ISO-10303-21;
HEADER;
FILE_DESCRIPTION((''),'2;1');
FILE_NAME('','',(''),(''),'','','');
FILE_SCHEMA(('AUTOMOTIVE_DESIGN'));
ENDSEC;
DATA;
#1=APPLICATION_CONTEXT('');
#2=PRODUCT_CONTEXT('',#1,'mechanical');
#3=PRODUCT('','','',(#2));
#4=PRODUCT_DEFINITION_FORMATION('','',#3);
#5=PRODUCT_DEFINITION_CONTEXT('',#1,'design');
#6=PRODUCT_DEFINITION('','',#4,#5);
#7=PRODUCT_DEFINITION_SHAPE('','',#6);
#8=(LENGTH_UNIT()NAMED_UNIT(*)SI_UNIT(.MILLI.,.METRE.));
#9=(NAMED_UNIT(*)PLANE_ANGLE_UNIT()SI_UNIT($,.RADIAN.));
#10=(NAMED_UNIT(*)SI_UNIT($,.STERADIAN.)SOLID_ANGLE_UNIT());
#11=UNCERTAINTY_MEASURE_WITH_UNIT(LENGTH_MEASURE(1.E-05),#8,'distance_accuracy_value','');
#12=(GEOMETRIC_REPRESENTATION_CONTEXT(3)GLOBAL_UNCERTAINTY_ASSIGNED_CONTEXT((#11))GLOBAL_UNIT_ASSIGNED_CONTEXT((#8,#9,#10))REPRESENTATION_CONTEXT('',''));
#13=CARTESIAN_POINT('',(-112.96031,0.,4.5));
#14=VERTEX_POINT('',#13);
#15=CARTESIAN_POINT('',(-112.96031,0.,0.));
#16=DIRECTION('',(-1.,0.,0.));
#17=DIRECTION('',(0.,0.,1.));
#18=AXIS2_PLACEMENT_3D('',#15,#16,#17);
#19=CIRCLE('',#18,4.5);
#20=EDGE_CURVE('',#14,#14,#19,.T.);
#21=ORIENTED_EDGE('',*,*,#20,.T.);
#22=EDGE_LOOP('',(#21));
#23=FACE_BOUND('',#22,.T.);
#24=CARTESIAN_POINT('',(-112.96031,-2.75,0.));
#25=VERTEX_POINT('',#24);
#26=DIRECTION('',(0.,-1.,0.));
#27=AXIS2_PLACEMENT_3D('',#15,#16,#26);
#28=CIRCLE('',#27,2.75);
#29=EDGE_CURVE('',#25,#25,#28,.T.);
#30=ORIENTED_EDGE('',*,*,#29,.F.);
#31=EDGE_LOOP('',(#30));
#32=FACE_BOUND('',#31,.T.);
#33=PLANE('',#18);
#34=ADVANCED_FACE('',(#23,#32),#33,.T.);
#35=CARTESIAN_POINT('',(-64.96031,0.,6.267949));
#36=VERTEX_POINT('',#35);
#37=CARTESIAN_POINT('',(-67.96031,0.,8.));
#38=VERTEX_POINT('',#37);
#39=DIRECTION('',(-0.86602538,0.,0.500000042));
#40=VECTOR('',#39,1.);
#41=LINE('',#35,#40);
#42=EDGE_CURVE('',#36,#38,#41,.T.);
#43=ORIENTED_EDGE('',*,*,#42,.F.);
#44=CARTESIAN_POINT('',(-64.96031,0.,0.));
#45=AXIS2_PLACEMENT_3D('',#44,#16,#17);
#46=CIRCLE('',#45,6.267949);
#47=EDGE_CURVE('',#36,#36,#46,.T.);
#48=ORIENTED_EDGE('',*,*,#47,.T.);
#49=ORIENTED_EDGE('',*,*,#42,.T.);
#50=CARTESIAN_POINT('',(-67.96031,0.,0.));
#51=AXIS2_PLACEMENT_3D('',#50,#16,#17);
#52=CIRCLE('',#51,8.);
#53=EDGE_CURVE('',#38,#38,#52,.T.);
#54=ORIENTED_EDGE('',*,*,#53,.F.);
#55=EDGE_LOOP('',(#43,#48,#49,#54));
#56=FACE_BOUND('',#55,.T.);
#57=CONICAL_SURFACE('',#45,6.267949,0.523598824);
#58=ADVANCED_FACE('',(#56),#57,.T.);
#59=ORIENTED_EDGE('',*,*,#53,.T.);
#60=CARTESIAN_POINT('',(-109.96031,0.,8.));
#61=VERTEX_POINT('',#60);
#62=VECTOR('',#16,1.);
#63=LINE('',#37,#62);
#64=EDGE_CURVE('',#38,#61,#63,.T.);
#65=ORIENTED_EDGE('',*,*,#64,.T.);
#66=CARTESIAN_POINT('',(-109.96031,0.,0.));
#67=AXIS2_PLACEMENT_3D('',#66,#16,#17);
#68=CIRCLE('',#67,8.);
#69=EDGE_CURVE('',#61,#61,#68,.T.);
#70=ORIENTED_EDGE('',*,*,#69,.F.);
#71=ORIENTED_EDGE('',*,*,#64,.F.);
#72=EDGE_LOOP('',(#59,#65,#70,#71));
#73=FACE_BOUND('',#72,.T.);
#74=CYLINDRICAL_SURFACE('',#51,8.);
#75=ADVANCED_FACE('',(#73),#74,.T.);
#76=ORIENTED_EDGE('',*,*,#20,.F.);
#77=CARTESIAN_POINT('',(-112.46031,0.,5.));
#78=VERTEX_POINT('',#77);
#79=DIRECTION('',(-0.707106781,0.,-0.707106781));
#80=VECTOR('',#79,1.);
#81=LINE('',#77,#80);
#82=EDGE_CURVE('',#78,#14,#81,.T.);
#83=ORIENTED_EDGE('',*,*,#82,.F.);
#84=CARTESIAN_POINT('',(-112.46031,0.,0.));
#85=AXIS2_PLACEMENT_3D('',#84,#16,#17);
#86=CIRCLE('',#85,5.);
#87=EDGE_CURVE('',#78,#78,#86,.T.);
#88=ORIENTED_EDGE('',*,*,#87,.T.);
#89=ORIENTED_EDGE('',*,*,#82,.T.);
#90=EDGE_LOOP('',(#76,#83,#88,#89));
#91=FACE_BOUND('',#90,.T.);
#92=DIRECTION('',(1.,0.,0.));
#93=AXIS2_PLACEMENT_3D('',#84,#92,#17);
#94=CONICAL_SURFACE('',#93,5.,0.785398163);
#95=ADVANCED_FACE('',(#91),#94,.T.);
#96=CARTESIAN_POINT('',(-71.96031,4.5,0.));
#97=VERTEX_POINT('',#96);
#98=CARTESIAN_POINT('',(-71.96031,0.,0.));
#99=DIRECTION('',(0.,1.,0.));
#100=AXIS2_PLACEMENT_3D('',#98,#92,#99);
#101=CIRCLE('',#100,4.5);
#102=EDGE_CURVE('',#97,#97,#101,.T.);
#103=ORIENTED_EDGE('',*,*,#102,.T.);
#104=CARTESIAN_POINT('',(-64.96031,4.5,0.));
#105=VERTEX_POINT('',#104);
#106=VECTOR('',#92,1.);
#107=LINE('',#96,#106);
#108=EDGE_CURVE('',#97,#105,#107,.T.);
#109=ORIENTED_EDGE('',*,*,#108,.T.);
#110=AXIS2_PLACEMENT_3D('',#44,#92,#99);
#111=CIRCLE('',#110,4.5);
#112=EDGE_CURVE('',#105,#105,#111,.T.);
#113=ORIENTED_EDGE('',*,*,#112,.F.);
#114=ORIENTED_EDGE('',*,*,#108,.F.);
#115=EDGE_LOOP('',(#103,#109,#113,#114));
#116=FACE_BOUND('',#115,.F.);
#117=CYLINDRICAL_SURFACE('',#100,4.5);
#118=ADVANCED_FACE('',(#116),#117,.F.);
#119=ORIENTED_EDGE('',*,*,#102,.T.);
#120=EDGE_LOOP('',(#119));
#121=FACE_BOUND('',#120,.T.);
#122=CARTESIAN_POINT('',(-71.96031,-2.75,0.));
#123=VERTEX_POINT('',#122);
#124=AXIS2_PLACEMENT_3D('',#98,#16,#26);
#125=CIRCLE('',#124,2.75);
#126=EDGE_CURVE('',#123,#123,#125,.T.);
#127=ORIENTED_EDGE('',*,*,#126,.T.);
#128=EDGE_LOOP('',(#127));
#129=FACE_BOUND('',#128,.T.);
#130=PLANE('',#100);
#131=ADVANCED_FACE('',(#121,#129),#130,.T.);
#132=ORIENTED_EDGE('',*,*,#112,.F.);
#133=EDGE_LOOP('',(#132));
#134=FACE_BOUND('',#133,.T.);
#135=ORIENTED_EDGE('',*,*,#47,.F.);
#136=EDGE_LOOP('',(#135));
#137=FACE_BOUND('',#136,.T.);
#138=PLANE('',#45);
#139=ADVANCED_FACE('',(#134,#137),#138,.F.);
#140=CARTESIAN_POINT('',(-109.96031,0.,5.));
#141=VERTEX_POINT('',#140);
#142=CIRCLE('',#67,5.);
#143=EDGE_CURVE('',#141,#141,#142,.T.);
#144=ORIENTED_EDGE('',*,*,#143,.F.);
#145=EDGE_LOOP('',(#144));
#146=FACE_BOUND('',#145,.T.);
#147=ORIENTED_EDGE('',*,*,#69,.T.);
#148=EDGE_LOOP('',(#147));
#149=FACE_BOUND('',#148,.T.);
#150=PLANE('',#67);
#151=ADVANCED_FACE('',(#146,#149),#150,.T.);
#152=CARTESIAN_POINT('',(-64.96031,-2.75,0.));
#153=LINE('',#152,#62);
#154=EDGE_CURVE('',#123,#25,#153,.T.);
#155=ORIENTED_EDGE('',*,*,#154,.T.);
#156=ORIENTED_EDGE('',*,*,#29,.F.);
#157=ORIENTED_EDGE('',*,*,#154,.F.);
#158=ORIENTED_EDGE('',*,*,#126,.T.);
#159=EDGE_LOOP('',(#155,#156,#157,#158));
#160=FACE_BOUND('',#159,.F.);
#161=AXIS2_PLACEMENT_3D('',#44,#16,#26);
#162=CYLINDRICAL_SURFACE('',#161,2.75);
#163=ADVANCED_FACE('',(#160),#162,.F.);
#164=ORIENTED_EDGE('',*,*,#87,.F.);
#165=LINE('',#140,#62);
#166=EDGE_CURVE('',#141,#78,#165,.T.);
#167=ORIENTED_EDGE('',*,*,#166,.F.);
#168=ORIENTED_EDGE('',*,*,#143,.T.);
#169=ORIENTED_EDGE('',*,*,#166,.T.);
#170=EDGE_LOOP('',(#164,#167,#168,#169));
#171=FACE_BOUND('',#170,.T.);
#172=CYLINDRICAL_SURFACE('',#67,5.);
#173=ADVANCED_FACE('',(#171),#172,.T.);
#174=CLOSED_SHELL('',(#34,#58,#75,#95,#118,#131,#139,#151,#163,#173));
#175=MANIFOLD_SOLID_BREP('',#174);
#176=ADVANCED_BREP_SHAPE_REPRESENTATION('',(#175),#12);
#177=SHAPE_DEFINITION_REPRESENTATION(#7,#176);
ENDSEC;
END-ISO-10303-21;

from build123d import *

# Parameters (mm, degrees)
F0_W           = 3
F0_H           = 4.5
F3_D           = 5.5
F3_CBORE_D     = 9
F3_CBORE_DEPTH = 7


with BuildPart() as f1:
    # F0 (on Front) → F1 (revolve)
    with BuildSketch(Plane.XZ):
        Polygon((-71.96031, 2.75), (-71.96031, 0), (-67.96031, 0), (-67.96031, 4.5), (-71.96031, 4.5), align=None)
        Polygon((-67.96031, 8), (-67.96031, 4.5), (-64.96031, 4.5), (-64.96031, 6.267949), align=None)
        with Locations((-66.46031, 2.25)):
            Rectangle(F0_W, F0_H)
        Polygon((-112.46031, 0), (-109.96031, 0), (-109.96031, 2.75), (-109.96031, 5), (-112.46031, 5), align=None)
        Polygon((-109.96031, 2.75), (-71.96031, 2.75), (-71.96031, 4.5), (-67.96031, 4.5), (-67.96031, 8), (-109.96031, 8), (-109.96031, 5), align=None)
        Polygon((-112.96031, 0), (-112.46031, 0), (-112.46031, 5), (-112.96031, 4.5), align=None)
        Polygon((-81.96031, 0), (-71.96031, 0), (-71.96031, 2.75), (-109.96031, 2.75), (-109.96031, 0), align=None)
    revolve(axis=Axis((-88.96031, 0, 0), (-1, 0, 0)))

    # F3 (through all)
    with Locations(Plane.YZ.offset(-64.96031)):
        with Locations((0, 0)):
            CounterBoreHole(F3_D / 2, F3_CBORE_D / 2, F3_CBORE_DEPTH)


solid = f1.part
